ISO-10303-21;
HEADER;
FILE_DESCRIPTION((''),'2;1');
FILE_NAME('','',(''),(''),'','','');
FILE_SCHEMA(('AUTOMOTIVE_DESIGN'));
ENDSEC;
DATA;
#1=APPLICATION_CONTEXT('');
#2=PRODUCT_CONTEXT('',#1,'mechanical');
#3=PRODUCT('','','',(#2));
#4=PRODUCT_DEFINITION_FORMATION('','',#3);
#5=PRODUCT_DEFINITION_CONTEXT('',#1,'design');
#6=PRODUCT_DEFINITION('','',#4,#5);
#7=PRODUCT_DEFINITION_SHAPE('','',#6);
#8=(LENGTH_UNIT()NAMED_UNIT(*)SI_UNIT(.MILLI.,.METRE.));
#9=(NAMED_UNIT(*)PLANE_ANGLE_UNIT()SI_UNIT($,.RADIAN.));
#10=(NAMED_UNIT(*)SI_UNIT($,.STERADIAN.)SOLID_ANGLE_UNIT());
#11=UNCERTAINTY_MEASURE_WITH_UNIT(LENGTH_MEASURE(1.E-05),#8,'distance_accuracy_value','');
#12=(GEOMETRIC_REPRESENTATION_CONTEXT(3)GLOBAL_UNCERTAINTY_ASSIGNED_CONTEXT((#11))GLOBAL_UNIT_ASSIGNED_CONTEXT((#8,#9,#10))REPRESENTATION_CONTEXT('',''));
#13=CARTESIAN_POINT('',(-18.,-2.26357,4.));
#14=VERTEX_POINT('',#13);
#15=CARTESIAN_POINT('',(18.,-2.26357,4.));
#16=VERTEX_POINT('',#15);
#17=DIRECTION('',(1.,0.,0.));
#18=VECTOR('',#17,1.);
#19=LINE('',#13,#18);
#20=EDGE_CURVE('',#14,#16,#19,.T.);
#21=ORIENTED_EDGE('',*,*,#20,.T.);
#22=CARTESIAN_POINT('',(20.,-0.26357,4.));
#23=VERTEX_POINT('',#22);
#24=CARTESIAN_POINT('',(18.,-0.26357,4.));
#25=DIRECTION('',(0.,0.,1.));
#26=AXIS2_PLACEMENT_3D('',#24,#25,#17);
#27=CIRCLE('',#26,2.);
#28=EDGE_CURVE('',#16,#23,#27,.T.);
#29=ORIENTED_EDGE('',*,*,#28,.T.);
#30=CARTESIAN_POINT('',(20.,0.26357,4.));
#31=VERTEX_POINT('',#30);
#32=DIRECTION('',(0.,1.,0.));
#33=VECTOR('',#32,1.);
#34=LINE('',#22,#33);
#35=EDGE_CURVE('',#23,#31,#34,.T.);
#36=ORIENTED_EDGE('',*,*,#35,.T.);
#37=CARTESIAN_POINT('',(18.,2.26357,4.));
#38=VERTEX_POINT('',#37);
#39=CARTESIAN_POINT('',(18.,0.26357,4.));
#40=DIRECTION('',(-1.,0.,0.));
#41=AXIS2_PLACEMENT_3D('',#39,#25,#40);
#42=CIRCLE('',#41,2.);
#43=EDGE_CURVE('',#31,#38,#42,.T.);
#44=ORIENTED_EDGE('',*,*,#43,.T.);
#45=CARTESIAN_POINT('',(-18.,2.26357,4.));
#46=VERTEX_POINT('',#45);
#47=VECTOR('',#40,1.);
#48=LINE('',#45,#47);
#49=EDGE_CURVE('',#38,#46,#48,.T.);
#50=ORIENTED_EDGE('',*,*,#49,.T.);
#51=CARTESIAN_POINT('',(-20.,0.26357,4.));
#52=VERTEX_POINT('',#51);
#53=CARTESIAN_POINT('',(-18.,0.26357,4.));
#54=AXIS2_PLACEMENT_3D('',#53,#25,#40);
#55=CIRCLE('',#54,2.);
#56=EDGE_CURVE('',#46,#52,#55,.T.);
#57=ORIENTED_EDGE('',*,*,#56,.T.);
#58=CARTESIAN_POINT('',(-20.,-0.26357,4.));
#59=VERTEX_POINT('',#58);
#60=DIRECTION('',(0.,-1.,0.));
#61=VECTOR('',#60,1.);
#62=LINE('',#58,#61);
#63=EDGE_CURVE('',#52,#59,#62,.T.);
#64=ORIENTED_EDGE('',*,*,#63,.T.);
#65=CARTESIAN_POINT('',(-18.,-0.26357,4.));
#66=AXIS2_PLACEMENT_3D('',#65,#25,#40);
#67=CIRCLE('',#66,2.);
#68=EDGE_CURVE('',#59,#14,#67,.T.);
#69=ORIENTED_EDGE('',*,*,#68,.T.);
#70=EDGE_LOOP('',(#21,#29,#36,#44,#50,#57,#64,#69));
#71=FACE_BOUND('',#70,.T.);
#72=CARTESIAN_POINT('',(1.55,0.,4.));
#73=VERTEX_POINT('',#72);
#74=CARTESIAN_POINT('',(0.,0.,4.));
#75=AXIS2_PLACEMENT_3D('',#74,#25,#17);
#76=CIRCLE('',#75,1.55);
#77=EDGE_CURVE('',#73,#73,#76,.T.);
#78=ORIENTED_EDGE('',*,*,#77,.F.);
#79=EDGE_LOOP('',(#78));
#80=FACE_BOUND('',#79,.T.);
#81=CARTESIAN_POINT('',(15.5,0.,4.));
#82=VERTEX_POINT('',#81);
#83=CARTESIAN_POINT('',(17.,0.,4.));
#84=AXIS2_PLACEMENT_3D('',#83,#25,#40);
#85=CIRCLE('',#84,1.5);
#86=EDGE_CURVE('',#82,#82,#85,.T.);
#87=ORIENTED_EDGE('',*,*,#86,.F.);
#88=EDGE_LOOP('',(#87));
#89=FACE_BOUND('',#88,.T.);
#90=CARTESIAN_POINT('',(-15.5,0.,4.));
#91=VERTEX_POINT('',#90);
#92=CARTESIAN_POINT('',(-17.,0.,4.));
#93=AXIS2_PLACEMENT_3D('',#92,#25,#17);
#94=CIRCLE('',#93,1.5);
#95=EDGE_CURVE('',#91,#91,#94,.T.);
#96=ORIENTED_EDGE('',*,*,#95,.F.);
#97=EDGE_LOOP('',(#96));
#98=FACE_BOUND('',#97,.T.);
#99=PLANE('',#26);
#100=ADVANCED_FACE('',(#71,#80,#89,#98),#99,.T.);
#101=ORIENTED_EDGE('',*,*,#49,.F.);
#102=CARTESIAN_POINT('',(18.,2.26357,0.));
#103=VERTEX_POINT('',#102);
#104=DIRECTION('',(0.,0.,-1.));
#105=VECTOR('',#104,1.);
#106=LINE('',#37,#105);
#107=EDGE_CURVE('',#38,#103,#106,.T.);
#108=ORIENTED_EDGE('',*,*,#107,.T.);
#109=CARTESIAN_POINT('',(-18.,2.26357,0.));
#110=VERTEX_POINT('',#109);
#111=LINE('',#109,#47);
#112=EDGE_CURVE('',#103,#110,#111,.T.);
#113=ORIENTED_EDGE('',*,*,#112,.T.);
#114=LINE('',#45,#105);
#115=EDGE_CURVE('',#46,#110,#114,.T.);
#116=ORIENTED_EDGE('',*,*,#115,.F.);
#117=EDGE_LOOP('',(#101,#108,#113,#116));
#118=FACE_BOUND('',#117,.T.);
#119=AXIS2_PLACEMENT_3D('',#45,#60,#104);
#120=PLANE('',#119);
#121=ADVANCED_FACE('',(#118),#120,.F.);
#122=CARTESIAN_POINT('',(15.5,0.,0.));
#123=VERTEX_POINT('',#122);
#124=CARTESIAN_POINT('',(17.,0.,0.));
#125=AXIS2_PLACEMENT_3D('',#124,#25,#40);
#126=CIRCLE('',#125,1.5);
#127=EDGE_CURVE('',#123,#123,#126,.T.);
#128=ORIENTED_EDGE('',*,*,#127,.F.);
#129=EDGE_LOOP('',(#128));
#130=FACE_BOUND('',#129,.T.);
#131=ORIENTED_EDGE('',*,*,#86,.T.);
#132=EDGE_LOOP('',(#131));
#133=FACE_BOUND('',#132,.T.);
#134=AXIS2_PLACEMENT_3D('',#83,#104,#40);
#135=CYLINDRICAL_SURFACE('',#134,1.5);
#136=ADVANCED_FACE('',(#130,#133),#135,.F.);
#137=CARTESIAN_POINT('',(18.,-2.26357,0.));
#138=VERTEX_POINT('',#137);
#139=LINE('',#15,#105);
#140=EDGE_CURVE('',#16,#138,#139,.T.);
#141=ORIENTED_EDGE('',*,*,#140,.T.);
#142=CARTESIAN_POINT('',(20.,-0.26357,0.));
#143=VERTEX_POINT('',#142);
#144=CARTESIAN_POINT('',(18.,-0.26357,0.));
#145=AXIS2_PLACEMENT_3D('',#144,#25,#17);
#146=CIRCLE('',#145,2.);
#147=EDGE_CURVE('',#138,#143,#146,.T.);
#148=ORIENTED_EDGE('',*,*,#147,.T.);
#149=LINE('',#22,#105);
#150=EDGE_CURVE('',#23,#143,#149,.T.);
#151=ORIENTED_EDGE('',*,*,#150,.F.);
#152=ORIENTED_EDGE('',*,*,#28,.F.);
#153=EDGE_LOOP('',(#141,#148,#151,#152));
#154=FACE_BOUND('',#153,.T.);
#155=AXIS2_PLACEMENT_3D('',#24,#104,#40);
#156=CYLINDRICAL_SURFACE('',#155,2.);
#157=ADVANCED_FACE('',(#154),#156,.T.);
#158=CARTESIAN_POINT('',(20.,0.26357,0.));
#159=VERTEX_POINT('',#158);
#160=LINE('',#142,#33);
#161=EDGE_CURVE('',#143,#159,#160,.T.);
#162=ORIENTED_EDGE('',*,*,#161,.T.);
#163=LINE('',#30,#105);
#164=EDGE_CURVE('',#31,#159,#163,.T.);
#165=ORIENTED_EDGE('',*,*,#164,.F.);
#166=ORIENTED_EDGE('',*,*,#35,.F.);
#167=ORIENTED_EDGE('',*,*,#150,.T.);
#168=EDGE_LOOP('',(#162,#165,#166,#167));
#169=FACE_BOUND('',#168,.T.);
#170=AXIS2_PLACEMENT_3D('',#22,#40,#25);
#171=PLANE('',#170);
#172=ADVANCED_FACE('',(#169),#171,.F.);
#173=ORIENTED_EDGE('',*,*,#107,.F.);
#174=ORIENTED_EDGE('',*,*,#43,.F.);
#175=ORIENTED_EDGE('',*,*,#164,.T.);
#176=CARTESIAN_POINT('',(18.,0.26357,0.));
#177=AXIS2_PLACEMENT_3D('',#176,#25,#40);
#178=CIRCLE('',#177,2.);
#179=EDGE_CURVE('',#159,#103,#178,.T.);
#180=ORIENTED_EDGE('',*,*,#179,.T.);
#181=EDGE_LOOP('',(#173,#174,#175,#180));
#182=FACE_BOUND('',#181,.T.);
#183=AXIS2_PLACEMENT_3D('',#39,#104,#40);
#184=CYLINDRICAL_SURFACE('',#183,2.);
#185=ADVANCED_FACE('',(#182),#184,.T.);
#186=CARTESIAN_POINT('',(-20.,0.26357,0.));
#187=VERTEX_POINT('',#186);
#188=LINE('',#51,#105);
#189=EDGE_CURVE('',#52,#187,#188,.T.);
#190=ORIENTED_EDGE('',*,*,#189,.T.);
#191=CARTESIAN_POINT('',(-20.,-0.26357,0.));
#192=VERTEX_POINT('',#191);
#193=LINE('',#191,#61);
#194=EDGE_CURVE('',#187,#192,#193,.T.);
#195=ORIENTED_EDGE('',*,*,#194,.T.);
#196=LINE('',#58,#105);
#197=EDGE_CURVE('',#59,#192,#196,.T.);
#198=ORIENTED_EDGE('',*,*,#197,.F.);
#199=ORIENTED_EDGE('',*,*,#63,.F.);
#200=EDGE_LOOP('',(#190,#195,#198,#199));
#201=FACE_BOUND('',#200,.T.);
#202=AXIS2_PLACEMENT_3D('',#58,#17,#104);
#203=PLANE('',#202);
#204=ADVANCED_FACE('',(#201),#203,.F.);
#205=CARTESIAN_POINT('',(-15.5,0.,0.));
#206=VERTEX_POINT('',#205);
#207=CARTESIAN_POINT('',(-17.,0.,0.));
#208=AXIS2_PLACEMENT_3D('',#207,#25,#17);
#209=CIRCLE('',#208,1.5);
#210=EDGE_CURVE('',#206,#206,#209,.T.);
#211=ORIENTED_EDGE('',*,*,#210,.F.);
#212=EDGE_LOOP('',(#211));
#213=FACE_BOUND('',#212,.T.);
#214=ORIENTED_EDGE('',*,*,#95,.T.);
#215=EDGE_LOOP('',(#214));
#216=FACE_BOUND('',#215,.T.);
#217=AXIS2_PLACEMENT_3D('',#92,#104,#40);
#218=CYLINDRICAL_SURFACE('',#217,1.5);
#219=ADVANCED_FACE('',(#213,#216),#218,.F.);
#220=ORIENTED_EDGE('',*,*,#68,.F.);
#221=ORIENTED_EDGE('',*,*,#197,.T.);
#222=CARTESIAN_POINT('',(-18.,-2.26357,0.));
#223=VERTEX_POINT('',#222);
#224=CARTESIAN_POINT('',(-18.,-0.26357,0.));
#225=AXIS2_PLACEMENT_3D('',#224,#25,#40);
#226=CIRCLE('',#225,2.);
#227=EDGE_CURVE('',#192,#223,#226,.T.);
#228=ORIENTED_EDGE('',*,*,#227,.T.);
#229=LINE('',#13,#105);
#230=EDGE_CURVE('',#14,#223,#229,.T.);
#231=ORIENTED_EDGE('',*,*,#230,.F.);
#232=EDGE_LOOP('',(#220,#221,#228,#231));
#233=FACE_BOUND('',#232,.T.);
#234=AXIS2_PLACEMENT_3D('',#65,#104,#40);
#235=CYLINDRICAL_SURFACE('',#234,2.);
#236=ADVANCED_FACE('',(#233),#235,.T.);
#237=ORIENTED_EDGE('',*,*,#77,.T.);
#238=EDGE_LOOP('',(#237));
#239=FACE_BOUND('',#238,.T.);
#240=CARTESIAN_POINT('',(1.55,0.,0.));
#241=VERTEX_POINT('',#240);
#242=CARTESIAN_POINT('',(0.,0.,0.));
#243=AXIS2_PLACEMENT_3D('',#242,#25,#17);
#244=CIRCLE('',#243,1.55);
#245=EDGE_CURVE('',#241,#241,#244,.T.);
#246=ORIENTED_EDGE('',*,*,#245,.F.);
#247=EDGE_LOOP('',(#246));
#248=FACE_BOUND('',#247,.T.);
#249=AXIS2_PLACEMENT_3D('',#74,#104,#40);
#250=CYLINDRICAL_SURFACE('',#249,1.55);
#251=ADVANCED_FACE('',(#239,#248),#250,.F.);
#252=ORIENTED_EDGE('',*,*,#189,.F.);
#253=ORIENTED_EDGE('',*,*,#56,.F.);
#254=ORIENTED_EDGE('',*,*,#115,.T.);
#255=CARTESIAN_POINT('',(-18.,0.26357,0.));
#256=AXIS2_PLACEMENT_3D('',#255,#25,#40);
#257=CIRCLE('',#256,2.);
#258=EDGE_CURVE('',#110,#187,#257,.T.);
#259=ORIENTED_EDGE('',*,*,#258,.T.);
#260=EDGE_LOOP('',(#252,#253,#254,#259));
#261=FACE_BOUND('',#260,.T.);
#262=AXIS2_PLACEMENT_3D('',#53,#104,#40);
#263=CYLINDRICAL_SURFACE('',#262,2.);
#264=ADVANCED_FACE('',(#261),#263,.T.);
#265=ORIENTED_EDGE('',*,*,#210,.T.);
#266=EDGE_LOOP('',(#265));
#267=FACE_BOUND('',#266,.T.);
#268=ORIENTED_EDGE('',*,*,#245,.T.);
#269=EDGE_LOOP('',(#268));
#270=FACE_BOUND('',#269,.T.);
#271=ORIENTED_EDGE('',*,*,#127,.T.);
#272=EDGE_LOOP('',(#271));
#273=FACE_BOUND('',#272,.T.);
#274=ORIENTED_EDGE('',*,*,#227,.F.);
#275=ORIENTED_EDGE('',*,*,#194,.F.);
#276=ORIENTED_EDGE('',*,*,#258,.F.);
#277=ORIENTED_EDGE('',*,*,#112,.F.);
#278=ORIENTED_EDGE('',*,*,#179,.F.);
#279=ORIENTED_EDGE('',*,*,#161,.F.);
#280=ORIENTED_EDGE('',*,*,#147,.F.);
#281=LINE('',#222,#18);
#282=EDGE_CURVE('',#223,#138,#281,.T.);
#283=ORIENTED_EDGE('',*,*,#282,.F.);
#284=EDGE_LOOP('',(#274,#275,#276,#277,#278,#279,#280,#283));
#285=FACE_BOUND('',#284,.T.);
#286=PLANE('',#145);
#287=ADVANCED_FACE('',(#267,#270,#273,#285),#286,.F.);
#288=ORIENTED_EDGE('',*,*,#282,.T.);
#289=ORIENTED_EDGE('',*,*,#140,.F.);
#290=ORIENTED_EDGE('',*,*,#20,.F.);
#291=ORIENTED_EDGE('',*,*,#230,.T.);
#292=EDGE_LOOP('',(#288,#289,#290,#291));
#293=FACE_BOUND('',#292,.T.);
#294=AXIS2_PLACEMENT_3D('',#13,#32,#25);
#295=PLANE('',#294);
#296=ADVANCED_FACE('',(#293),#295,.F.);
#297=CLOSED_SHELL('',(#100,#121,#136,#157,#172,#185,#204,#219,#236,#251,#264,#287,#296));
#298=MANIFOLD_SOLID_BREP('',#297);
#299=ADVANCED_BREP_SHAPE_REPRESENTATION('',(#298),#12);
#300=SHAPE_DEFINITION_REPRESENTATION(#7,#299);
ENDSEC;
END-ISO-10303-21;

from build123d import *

# Parameters (mm, degrees)
SKETCH1_R           = 1.55
SKETCH1_R_2         = 1.5
BOSS_EXTRUDE1_DEPTH = 4


with BuildPart() as part:
    # Sketch1 → Boss-Extrude1 (new body)
    with BuildSketch(Plane.XY):
        with BuildLine():
            Line((-18, -2.263569898), (18, -2.263569898))
            ThreePointArc((18, -2.263569898), (19.414213562, -1.677783461), (20, -0.263569898))
            Line((20, -0.263569898), (20, 0.263569898))
            ThreePointArc((20, 0.263569898), (19.414213562, 1.677783461), (18, 2.263569898))
            Line((18, 2.263569898), (-18, 2.263569898))
            ThreePointArc((-18, 2.263569898), (-19.414213562, 1.677783461), (-20, 0.263569898))
            Line((-20, 0.263569898), (-20, -0.263569898))
            ThreePointArc((-20, -0.263569898), (-19.414213562, -1.677783461), (-18, -2.263569898))
        make_face()
        Circle(SKETCH1_R, mode=Mode.SUBTRACT)
        with Locations((-17, 0)):
            Circle(SKETCH1_R_2, mode=Mode.SUBTRACT)
        with Locations(Location((17, 0, 0), (0, 0, 180))):
            Circle(SKETCH1_R_2, mode=Mode.SUBTRACT)
    extrude(amount=BOSS_EXTRUDE1_DEPTH)


solid = part.part
